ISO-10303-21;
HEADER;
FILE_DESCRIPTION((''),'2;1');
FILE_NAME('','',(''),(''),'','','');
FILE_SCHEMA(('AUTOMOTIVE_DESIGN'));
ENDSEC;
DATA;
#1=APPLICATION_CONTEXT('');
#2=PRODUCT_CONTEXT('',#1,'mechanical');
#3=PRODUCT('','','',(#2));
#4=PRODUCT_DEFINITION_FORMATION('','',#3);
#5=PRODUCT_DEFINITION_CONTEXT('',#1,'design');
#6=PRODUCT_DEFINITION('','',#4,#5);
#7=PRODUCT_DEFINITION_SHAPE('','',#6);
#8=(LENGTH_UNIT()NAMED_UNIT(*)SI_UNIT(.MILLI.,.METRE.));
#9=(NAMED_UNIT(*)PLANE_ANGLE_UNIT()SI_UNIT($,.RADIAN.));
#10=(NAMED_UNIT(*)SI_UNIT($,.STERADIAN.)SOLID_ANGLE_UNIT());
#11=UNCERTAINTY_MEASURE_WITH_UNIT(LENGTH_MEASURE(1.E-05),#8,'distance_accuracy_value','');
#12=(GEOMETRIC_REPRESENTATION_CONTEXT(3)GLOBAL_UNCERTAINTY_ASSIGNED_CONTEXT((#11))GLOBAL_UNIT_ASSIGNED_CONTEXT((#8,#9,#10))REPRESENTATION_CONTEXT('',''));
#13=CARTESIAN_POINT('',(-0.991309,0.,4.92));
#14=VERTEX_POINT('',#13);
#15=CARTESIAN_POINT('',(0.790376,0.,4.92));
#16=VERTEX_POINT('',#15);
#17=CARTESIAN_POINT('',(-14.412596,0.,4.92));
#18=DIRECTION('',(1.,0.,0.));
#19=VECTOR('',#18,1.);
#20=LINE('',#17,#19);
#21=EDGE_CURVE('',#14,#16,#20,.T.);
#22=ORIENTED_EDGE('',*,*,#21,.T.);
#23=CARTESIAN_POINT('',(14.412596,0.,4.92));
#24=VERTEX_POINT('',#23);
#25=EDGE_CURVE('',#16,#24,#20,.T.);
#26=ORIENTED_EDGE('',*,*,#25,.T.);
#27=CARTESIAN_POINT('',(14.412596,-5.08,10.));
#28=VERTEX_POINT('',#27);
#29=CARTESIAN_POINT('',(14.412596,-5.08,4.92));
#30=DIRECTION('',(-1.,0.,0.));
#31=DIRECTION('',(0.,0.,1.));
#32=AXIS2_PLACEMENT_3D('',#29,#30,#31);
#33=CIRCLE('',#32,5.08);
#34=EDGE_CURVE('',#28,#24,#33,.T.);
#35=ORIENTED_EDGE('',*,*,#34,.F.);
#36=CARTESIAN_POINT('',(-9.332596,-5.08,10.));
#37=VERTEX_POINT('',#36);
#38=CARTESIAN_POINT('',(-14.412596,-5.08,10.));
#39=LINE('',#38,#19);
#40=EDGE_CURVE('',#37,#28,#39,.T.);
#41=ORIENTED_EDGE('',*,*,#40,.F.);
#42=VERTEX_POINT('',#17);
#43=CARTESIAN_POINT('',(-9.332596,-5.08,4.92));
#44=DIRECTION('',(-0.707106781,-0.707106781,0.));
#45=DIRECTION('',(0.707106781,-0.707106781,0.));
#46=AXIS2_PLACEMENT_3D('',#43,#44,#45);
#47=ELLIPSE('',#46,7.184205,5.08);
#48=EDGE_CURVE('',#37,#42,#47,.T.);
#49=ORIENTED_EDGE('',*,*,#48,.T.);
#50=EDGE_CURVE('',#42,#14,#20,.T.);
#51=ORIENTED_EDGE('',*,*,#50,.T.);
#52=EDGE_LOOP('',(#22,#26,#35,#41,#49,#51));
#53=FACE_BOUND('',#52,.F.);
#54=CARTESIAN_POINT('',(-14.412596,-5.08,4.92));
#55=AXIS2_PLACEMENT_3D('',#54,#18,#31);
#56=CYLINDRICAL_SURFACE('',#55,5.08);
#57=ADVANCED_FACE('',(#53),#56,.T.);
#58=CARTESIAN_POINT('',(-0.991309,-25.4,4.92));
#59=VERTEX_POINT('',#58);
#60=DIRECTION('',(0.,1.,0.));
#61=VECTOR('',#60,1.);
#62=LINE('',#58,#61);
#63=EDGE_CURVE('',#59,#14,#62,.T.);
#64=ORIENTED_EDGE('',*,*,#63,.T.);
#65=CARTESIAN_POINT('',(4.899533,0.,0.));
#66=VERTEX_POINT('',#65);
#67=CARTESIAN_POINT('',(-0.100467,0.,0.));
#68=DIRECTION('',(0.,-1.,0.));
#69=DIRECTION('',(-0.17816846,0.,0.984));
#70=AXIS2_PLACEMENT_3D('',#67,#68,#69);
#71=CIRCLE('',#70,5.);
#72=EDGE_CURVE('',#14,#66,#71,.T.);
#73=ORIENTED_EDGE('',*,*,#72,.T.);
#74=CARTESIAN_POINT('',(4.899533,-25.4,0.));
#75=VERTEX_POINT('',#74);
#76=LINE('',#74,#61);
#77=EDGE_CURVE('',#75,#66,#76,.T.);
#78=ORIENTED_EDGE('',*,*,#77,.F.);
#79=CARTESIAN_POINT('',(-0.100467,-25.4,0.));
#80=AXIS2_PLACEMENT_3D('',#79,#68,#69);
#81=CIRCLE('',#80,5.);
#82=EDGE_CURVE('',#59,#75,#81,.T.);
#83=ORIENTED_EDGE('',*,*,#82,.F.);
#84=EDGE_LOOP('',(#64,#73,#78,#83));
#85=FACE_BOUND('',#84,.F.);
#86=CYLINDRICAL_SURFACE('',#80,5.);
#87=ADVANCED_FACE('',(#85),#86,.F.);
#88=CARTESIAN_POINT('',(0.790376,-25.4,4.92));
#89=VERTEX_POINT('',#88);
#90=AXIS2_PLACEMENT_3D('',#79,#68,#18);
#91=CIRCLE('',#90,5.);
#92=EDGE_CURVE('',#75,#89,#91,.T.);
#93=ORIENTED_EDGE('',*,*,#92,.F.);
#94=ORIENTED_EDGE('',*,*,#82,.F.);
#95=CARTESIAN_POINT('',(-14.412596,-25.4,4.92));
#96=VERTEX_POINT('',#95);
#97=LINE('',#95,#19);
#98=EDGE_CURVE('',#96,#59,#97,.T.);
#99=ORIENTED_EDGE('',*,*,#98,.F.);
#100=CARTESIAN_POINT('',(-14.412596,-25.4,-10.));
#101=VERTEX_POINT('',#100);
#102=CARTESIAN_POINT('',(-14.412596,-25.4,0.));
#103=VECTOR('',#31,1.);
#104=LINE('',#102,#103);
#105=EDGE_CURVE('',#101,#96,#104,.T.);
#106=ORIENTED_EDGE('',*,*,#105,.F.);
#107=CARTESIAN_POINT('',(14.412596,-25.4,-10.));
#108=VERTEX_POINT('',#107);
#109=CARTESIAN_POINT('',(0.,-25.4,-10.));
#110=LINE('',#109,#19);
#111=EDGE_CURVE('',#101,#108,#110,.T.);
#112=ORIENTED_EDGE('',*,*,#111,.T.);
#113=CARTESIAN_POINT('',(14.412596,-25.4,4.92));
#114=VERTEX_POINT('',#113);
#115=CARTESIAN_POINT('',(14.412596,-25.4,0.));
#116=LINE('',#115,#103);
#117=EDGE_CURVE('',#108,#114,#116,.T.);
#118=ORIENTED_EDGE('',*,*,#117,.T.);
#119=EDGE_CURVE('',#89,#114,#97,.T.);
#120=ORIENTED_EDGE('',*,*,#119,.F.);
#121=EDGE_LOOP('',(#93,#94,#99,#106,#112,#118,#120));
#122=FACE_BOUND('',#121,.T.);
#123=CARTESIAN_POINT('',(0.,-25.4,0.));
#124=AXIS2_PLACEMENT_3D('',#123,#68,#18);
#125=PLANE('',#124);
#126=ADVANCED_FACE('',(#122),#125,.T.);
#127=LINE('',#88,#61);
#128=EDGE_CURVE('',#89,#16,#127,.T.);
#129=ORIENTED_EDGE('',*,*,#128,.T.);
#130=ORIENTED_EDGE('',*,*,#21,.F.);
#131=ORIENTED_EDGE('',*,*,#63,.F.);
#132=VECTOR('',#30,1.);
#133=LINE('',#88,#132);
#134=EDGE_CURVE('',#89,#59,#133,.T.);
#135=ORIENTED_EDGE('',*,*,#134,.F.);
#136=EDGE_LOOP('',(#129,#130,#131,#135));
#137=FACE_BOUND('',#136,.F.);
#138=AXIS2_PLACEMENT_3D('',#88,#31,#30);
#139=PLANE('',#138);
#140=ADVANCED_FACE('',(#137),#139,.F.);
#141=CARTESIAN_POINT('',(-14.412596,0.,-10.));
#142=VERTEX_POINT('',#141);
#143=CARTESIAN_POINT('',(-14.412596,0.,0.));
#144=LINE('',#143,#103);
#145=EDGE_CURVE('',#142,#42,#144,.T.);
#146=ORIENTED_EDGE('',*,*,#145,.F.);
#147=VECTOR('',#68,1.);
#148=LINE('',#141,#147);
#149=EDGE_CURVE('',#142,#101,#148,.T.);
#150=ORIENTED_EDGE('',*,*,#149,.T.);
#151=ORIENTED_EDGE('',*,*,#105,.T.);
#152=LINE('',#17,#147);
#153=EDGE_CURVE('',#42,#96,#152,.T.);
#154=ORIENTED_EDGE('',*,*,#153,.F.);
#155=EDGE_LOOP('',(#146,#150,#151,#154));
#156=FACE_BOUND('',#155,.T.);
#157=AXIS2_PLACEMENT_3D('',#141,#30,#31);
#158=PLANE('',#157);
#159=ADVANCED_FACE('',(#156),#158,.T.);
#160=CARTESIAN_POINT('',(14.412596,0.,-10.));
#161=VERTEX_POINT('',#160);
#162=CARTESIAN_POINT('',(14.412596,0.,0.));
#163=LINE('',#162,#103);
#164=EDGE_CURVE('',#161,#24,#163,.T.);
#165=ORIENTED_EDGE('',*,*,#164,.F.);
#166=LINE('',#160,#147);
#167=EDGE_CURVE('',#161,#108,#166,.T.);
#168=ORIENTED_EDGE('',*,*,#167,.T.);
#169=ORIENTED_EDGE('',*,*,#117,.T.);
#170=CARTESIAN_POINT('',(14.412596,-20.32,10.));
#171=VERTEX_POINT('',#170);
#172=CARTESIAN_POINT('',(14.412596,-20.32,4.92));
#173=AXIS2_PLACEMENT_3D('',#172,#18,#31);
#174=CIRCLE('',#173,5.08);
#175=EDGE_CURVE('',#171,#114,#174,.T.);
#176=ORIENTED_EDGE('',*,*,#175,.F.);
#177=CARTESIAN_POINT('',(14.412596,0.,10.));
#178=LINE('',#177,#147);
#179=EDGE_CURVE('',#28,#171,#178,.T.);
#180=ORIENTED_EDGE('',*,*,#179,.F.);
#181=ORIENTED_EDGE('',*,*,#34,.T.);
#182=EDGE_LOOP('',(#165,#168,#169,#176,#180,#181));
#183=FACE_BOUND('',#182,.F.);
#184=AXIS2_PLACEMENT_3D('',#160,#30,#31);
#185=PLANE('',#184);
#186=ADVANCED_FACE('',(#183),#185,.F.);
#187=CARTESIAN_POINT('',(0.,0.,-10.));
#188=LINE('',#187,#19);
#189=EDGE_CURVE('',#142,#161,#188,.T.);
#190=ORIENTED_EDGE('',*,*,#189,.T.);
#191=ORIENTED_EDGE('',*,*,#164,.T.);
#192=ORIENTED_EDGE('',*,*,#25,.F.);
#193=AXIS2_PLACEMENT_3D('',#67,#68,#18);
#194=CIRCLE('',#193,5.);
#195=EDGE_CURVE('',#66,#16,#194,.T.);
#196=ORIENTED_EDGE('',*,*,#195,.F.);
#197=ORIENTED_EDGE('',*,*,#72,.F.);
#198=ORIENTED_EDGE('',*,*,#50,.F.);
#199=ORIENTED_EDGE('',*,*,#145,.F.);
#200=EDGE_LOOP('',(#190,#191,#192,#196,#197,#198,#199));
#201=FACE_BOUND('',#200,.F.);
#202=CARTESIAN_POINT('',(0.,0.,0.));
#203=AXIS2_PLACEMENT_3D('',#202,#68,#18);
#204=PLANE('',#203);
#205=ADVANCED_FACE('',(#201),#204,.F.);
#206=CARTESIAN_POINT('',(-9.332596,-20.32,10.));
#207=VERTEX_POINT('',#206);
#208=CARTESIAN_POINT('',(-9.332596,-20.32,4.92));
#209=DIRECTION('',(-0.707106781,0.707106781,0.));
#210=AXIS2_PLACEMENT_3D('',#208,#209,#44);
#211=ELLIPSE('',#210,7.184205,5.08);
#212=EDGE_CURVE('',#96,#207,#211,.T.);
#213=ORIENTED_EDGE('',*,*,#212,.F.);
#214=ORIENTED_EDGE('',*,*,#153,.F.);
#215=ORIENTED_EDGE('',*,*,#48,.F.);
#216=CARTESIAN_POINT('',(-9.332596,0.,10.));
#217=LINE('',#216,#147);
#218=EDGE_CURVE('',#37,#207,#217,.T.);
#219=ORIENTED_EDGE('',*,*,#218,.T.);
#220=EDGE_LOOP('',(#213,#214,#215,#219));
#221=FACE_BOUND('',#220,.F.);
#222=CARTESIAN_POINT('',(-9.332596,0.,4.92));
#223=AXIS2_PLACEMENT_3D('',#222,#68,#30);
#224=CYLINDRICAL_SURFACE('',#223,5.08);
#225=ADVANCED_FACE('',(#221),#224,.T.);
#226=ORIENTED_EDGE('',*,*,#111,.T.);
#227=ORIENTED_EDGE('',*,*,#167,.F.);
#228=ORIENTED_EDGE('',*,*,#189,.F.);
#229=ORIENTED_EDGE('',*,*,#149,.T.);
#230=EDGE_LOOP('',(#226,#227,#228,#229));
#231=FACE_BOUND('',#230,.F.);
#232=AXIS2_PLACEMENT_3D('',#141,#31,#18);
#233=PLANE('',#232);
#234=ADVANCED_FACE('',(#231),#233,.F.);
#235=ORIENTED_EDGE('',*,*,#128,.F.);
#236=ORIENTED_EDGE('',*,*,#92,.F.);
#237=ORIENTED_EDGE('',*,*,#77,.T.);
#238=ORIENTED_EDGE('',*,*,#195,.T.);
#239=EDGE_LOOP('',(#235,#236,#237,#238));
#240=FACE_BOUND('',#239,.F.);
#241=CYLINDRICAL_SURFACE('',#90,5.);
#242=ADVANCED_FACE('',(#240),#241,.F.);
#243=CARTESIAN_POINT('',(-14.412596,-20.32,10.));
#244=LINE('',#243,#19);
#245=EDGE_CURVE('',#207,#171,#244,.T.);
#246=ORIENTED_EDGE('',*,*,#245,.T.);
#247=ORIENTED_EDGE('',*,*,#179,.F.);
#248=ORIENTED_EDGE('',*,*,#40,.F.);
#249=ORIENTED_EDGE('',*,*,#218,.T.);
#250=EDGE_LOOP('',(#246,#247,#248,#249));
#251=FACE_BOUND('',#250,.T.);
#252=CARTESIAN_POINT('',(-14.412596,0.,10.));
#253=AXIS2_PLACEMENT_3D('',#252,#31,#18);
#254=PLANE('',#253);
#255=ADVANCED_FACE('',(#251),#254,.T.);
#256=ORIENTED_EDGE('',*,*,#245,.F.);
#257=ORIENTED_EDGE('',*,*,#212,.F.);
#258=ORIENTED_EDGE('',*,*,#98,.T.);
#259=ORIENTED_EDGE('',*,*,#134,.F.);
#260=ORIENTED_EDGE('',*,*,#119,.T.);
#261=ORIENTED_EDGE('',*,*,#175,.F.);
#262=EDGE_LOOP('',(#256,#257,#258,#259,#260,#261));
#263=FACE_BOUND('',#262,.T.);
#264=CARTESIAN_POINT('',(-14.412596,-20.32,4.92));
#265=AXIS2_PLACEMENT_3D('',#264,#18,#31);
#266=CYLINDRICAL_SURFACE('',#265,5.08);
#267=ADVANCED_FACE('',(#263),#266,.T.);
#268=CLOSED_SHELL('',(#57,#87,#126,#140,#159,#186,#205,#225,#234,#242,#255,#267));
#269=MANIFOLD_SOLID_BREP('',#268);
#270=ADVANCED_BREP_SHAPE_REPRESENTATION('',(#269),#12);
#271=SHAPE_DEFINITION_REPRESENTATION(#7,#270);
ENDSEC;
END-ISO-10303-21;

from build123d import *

# Parameters (mm, degrees)
F0_W     = 28.8251918835
F0_H     = 20
F1_DEPTH = 25.4
F2_R     = 5.08
F4_DEPTH = 25.401


with BuildPart() as f1:
    # F0 (on Front) → F1 (new body)
    with BuildSketch(Plane.XZ):
        Rectangle(F0_W, F0_H)
    extrude(amount=F1_DEPTH)

    # F2
    f2_edges = [f1.edges().sort_by_distance(p)[0] for p in [
        (0, 0, 10),
        (-14.412596, -12.7, 10),
        (0, -25.4, 10),
    ]]
    fillet(f2_edges, radius=F2_R)

    # F3 (on face) → F4 (cut, through all)
    with BuildSketch(Plane.XZ.offset(25.4)):
        with BuildLine():
            ThreePointArc((-0.9913088891, 4.92), (-3.3056021973, -3.8375911383), (4.899533409, 0))
            ThreePointArc((4.899533409, 0), (3.7371245473, 3.2051356063), (0.790375707, 4.92))
            Line((0.790375707, 4.92), (-0.9913088891, 4.92))
        make_face()
    extrude(amount=-F4_DEPTH, mode=Mode.SUBTRACT)


solid = f1.part
